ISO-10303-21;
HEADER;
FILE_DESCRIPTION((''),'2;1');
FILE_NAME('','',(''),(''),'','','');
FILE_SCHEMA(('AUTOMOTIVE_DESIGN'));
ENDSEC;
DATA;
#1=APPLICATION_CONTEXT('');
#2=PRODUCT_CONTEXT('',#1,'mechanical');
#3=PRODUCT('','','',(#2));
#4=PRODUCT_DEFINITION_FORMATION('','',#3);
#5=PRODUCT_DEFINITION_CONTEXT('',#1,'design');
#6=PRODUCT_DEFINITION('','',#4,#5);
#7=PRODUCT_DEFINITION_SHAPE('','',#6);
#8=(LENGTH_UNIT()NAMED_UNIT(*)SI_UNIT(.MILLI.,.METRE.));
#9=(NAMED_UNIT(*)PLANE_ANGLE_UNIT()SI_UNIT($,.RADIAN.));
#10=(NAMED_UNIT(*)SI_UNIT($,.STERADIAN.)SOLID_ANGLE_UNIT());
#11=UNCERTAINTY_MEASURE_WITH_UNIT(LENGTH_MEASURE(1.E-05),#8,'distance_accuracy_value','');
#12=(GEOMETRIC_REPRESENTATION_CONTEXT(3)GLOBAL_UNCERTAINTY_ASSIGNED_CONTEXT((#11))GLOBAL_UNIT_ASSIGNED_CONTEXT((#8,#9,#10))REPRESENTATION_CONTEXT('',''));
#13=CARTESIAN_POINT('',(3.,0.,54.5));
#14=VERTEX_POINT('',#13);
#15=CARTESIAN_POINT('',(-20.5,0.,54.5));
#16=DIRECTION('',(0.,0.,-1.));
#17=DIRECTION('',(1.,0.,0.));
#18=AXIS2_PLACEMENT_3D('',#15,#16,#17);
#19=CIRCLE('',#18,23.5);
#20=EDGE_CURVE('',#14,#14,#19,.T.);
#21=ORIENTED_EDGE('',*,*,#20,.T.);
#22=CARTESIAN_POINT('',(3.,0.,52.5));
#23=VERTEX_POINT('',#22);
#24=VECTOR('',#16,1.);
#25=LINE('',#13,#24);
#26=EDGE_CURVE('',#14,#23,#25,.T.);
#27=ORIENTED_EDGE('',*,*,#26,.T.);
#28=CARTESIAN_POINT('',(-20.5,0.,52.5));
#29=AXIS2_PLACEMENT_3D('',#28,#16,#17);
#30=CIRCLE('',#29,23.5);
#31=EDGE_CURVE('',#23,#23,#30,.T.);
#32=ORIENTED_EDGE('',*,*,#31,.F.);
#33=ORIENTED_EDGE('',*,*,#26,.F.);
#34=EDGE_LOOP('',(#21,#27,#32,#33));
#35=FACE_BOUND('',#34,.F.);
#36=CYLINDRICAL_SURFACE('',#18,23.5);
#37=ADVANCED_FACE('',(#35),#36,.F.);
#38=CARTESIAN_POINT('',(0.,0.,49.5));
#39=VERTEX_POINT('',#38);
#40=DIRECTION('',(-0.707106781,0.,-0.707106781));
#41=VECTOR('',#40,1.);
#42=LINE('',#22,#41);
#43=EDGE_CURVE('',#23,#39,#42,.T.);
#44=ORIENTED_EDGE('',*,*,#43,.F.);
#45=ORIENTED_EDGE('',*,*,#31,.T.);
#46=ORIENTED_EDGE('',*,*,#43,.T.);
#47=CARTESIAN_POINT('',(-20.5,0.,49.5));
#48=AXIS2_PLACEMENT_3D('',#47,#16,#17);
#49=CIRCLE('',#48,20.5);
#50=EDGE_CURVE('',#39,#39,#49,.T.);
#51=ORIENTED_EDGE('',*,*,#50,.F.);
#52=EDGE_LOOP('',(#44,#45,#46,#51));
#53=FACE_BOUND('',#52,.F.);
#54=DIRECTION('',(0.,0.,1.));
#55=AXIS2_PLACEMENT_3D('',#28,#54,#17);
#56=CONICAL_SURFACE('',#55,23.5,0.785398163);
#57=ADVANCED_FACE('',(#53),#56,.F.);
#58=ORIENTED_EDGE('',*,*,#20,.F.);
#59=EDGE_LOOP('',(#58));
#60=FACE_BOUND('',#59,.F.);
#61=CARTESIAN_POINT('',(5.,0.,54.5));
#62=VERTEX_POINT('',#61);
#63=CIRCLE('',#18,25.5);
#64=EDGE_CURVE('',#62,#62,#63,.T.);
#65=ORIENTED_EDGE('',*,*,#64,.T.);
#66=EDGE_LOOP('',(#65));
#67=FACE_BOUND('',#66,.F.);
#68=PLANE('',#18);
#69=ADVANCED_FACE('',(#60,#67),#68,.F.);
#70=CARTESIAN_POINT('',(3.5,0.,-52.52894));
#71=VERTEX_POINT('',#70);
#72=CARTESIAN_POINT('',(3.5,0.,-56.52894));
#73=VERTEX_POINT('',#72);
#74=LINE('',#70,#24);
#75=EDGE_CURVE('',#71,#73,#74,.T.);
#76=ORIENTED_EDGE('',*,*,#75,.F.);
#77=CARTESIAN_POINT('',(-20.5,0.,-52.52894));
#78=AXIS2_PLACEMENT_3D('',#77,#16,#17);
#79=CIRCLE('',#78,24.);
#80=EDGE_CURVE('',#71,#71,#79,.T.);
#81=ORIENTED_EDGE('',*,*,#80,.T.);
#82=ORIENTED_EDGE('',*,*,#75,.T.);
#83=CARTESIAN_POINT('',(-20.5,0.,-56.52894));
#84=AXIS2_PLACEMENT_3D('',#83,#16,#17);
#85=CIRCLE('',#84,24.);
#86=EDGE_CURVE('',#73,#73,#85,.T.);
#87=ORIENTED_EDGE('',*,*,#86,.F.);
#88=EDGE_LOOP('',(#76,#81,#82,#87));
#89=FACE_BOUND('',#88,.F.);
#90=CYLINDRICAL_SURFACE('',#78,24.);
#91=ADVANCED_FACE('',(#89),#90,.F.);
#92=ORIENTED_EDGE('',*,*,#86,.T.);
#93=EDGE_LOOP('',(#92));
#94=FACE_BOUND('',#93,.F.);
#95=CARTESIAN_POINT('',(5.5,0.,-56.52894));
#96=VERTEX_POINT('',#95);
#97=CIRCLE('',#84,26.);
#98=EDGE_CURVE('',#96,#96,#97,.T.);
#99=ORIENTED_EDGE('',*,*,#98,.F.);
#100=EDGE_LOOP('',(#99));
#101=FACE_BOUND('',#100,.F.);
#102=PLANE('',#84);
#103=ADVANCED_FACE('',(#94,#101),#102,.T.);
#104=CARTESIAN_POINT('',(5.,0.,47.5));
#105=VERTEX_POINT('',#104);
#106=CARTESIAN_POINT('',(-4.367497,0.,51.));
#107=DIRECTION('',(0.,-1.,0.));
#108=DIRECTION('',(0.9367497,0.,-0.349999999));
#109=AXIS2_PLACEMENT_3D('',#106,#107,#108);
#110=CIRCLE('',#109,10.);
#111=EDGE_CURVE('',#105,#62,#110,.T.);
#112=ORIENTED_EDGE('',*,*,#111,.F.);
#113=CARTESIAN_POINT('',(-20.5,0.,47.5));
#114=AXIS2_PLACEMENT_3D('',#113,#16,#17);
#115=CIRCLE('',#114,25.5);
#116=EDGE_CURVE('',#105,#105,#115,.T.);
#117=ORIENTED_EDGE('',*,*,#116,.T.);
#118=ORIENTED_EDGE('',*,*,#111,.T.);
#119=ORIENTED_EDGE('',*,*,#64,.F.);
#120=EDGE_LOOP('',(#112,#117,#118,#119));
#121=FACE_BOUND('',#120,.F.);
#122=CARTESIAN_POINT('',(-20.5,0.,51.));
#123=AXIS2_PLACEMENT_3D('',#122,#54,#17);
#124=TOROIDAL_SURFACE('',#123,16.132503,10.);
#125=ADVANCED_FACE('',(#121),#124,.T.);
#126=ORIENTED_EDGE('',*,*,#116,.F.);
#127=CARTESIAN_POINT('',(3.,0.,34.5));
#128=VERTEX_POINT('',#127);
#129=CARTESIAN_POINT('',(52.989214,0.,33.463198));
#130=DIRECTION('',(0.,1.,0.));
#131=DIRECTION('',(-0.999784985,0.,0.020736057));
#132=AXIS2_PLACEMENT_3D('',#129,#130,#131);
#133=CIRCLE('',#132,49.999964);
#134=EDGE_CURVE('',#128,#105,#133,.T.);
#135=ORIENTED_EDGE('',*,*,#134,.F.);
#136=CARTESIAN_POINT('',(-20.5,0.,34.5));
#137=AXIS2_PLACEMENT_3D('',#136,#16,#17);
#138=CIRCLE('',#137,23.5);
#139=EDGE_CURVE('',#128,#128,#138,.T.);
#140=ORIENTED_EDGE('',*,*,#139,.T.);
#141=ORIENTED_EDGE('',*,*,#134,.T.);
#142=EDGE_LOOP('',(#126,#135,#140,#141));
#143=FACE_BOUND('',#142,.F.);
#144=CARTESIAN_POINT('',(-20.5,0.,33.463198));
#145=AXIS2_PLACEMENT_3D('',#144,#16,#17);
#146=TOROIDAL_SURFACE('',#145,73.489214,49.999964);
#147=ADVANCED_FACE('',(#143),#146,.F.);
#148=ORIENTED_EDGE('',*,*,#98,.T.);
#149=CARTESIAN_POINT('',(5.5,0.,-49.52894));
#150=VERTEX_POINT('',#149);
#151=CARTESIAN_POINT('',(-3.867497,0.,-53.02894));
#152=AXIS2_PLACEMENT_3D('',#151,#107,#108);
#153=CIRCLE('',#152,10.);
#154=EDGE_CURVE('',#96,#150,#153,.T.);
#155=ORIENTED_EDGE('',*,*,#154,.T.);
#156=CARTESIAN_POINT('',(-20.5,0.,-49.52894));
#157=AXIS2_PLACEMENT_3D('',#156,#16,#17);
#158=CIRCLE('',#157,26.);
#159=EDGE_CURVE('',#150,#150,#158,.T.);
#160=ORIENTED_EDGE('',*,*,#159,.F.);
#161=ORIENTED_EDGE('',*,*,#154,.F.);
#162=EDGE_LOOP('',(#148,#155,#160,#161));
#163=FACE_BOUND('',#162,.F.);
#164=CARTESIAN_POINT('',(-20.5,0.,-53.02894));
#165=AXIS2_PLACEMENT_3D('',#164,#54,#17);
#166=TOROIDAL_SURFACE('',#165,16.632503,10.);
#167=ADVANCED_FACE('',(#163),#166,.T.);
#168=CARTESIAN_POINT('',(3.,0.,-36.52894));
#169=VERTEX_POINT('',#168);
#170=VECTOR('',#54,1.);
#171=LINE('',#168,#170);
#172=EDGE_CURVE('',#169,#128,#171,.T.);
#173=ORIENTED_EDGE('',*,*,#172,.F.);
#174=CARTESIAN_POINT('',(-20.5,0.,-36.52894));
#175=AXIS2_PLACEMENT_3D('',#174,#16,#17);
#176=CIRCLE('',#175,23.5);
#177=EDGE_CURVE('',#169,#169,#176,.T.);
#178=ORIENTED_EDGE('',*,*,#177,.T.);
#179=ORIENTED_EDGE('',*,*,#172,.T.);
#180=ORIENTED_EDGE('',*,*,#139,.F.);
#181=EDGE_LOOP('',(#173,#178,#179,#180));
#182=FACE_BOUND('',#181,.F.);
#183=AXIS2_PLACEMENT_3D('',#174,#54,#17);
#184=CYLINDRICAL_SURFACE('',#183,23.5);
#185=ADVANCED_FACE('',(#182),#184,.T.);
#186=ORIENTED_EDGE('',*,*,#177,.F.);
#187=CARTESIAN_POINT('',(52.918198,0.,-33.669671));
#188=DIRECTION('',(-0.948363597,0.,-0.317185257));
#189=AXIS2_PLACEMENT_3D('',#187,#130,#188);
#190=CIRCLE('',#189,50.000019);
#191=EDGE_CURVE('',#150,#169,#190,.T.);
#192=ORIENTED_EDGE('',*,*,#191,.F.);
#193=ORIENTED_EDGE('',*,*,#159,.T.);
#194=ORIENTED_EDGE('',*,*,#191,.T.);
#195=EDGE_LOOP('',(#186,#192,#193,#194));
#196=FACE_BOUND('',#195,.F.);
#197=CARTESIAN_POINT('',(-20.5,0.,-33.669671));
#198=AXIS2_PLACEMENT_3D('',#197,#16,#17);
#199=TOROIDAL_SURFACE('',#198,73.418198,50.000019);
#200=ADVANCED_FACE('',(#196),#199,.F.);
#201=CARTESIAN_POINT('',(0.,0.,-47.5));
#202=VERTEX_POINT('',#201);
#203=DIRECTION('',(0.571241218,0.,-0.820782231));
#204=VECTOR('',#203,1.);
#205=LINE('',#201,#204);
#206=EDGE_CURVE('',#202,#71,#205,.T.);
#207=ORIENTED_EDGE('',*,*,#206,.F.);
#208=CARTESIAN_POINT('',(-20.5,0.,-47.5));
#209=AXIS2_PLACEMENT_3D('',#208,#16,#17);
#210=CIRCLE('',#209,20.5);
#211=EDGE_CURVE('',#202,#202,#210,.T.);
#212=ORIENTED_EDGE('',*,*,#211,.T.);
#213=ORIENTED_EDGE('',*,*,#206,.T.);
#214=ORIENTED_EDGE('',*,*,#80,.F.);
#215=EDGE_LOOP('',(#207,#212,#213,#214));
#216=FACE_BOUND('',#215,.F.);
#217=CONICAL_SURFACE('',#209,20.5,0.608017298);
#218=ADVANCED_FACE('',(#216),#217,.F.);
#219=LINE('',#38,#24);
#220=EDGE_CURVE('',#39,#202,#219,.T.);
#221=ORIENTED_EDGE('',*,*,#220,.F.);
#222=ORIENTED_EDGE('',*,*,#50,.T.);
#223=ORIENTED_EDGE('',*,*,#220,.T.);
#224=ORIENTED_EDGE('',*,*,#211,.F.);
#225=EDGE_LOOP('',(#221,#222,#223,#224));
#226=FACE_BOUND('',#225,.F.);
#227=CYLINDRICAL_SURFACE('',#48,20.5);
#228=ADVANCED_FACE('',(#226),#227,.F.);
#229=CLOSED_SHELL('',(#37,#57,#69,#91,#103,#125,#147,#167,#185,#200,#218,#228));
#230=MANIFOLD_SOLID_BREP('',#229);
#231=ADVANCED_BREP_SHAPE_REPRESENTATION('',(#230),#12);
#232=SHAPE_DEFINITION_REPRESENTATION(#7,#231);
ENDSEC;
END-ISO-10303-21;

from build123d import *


with BuildPart() as f1:
    # F0 (on Front) → F1 (revolve)
    with BuildSketch(Plane.XZ):
        with BuildLine():
            Line((0, 49.5), (0, 0))
            Line((0, 0), (0, -47.5))
            Line((0, -47.5), (3.5, -52.52894))
            Line((3.5, -52.52894), (3.5, -56.52894))
            Line((3.5, -56.52894), (5.5, -56.52894))
            ThreePointArc((5.5, -56.52894), (6.132503, -53.02894), (5.5, -49.52894))
            ThreePointArc((5.5, -49.52894), (3.817857, -43.112045), (3, -36.52894))
            Line((3, -36.52894), (3, 0))
            Line((3, 0), (3, 34.5))
            ThreePointArc((3, 34.5), (3.570664, 41.066052), (5, 47.5))
            ThreePointArc((5, 47.5), (5.632503, 51), (5, 54.5))
            Line((5, 54.5), (3, 54.5))
            Line((3, 54.5), (3, 52.5))
            Line((3, 52.5), (0, 49.5))
        make_face()
    revolve(axis=Axis((-20.5, 0, 1.066906), (0, 0, -1)))


solid = f1.part
